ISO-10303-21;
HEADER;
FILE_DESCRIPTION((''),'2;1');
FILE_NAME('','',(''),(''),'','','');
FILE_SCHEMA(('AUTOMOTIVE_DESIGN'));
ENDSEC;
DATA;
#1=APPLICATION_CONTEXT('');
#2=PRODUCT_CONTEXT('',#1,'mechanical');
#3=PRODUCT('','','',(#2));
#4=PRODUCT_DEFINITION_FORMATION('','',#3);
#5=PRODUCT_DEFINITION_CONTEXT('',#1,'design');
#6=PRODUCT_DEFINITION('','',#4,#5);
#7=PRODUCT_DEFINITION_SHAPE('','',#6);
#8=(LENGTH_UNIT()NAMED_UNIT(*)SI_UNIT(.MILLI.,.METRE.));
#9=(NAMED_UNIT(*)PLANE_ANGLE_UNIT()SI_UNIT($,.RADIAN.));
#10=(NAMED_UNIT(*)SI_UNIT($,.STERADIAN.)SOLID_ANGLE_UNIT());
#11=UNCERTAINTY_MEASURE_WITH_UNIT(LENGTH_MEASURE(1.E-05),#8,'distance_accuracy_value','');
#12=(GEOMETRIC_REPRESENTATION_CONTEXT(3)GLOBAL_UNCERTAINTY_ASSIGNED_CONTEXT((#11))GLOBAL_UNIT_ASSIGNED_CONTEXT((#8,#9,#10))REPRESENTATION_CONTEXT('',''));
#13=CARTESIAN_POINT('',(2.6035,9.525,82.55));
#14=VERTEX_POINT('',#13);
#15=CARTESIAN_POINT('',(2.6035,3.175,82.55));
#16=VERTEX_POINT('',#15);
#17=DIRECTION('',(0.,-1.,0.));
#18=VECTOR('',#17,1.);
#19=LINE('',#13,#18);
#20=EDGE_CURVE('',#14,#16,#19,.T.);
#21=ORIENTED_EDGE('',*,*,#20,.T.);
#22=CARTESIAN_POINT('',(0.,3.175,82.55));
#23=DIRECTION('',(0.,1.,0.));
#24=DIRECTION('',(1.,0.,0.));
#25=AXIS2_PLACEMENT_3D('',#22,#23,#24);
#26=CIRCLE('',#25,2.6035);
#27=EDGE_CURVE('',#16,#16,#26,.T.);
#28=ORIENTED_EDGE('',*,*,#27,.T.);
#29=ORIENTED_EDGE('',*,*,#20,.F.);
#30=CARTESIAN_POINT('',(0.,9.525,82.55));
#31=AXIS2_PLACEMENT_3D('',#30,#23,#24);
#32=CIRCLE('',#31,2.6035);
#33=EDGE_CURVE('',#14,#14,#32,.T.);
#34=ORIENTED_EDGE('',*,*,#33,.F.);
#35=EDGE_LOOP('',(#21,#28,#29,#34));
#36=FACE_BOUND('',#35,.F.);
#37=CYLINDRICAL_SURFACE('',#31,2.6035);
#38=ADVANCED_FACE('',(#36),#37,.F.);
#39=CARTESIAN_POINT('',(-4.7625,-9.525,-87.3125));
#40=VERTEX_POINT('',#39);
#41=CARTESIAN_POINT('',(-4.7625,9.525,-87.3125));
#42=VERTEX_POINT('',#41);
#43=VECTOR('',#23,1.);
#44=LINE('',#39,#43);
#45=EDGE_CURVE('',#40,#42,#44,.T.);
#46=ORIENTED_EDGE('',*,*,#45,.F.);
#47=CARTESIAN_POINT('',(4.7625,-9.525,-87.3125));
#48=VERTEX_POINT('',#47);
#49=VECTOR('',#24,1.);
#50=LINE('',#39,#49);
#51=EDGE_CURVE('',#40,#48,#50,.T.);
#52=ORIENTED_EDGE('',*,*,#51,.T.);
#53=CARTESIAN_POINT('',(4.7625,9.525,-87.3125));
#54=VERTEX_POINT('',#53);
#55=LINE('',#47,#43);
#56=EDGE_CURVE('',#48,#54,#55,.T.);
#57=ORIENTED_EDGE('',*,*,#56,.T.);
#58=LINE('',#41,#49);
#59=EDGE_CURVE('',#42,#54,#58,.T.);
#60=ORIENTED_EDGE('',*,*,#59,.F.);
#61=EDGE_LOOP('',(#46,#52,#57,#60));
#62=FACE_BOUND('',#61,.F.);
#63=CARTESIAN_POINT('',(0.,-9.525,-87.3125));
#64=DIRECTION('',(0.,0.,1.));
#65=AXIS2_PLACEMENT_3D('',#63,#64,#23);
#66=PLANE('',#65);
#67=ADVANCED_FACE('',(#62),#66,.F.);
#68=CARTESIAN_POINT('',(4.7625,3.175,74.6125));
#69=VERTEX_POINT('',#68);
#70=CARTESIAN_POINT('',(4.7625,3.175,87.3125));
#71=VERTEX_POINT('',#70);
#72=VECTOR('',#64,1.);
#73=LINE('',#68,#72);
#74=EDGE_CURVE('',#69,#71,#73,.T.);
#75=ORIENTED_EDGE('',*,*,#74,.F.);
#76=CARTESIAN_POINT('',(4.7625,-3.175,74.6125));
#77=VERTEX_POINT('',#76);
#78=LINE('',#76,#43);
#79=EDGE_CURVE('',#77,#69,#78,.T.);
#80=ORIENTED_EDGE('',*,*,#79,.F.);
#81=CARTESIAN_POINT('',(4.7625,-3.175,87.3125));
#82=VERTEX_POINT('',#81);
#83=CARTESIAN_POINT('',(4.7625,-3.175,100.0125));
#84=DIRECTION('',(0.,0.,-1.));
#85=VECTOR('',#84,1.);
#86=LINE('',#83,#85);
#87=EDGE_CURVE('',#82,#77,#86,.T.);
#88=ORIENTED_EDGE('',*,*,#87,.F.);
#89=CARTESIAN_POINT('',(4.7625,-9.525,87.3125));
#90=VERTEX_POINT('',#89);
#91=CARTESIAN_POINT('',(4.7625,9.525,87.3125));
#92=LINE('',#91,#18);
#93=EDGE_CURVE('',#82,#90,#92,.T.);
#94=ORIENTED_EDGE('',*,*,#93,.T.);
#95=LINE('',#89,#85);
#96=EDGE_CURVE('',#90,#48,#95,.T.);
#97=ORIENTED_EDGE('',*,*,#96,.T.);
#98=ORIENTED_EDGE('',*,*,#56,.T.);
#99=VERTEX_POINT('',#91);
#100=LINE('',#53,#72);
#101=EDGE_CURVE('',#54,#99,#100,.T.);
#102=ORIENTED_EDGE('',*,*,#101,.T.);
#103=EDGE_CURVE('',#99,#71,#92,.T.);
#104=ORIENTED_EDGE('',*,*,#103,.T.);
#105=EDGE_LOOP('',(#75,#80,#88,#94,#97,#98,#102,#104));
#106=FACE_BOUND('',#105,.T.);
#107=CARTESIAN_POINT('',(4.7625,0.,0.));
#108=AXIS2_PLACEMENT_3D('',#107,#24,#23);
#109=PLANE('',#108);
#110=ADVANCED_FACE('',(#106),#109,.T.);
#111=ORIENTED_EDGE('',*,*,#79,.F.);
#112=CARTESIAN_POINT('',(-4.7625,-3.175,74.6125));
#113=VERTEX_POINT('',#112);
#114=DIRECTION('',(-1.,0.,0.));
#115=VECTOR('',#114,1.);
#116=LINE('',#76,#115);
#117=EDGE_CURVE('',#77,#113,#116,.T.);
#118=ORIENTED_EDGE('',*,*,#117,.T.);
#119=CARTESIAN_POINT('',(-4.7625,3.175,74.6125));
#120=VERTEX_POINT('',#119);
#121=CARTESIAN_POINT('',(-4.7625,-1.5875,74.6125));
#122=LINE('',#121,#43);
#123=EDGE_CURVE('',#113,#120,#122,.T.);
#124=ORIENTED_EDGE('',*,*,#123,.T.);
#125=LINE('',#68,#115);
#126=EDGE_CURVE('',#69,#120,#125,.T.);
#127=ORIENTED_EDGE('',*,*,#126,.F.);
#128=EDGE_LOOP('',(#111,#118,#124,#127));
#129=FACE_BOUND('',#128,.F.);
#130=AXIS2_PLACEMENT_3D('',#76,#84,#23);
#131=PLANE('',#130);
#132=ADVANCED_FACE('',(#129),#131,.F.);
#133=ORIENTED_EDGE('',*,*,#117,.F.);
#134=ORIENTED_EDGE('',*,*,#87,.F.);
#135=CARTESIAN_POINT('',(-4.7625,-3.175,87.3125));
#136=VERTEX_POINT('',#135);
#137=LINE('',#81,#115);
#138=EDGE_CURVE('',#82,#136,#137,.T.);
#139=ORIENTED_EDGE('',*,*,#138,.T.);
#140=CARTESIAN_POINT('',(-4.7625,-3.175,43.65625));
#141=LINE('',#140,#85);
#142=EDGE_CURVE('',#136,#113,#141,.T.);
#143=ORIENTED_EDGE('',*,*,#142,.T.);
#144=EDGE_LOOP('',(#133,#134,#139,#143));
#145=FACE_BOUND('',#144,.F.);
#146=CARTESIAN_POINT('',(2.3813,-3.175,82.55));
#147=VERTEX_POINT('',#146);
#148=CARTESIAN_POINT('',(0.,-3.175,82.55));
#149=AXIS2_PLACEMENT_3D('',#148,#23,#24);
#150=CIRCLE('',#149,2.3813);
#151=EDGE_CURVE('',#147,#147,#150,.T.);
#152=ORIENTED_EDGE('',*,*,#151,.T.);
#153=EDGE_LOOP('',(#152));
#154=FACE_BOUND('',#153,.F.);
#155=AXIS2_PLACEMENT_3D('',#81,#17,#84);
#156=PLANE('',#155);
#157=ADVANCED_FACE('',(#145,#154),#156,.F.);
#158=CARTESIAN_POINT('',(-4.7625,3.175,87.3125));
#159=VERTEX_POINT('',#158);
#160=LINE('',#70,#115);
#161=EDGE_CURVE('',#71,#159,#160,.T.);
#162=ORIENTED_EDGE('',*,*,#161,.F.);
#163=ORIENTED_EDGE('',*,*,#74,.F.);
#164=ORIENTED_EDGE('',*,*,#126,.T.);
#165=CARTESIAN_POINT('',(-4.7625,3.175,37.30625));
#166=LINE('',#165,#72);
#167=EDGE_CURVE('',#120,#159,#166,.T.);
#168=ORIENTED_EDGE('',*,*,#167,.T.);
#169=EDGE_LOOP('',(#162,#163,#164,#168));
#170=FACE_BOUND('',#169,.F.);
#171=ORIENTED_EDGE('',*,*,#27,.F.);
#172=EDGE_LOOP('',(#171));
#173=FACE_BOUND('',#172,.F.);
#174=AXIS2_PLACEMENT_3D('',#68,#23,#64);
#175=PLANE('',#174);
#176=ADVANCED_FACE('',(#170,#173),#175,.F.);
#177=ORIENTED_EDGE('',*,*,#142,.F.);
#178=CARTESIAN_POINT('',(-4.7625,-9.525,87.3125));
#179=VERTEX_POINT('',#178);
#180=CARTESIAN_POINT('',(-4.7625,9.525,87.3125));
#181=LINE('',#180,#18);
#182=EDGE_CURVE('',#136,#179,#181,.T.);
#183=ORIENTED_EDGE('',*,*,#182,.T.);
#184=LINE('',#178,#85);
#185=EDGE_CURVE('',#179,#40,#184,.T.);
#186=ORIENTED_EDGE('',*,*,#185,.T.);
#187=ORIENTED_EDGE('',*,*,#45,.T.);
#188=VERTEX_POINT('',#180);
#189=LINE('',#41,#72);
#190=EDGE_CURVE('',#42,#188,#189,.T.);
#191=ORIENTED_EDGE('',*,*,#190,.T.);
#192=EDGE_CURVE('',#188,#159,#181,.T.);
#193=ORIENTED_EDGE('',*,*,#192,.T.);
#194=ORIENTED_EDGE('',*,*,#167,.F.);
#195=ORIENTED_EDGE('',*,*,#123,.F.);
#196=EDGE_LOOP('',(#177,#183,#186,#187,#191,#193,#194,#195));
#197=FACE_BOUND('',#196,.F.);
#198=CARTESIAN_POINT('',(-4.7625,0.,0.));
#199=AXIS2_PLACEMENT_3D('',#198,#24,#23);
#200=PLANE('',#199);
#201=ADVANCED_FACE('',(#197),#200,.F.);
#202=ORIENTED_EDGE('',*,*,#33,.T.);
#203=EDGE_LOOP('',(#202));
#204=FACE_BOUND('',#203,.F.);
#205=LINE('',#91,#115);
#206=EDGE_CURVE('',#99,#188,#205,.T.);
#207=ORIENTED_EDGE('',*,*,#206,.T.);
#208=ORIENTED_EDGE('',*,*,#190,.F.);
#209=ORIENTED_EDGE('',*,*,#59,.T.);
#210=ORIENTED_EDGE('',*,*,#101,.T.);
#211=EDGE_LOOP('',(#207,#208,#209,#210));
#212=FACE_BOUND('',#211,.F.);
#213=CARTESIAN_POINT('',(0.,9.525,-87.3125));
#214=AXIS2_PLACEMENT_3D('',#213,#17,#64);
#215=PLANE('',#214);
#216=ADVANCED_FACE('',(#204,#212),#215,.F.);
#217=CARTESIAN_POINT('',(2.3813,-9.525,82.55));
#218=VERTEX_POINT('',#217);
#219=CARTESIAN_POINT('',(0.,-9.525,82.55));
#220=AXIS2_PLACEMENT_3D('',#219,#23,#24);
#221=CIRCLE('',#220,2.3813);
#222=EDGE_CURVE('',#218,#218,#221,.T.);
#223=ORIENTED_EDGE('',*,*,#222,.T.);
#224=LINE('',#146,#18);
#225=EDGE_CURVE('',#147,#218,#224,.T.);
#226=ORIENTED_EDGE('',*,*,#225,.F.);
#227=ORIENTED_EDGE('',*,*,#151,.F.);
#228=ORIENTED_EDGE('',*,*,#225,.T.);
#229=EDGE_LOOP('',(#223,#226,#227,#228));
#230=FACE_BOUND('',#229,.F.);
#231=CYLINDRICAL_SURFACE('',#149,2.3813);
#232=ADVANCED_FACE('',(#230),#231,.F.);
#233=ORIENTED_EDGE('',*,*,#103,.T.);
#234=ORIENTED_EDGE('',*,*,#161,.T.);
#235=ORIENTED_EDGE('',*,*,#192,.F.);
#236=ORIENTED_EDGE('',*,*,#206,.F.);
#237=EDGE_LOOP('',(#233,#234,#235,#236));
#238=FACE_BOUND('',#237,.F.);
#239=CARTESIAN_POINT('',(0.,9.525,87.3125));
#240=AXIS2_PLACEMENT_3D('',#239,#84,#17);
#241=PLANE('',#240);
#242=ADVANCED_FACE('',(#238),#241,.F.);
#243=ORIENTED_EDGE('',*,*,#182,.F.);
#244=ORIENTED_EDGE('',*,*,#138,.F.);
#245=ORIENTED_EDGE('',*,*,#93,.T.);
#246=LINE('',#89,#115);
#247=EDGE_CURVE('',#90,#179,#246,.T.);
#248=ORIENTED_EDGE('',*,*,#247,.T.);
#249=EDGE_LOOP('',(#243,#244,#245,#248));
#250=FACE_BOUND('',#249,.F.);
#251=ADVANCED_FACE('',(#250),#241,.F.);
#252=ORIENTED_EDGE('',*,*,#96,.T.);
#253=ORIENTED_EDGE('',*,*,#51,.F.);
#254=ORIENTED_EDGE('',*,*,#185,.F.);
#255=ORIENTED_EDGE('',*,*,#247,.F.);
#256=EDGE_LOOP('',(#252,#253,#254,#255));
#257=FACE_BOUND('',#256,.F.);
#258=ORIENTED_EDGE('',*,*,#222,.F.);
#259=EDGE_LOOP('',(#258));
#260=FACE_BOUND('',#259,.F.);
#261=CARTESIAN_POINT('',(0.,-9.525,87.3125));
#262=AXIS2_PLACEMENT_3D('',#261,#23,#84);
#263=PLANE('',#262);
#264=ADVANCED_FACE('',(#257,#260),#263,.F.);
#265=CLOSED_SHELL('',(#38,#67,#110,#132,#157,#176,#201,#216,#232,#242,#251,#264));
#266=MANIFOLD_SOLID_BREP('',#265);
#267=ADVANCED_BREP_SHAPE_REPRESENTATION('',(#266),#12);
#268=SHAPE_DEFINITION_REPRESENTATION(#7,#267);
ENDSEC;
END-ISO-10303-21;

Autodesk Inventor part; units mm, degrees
ref_plane "YZ Plane" through (0, 0, 0) normal (1, 0, 0) x (0, 1, 0)
ref_plane "XZ Plane" through (0, 0, 0) normal (0, 1, 0) x (-1, 0, 0)
ref_plane "XY Plane" through (0, 0, 0) normal (0, 0, 1) x (1, 0, 0)
sketch "Sketch1" plane through (0, 0, 0) normal (1, 0, 0) x (0, 1, 0)
  line L0 (-9.525, -87.3125) -> (9.525, -87.3125)
  line L1 (9.525, -87.3125) -> (9.525, 87.3125)
  line L2 (9.525, 87.3125) -> (-9.525, 87.3125)
  line L3 (-9.525, 87.3125) -> (-9.525, -87.3125)
  line L4 (-9.525, -87.3125) -> (9.525, 87.3125) construction
  line L5 (9.525, -87.3125) -> (-9.525, 87.3125) construction
  point P0 (0, 0)
  dimension "d0" = 19.05
  dimension "d1" = 174.625
extrude "Extrusion1" add sketch "Sketch1" along normal mid plane 9.525
sketch "Sketch2" plane through (4.7625, 0, 0) normal (1, 0, 0) x (0, 0, -1)
  line L0 (-100.0125, -3.175) -> (-74.6125, -3.175)
  line L1 (-74.6125, -3.175) -> (-74.6125, 3.175)
  line L2 (-74.6125, 3.175) -> (-100.0125, 3.175)
  line L3 (-100.0125, 3.175) -> (-100.0125, -3.175)
  line L4 (-87.3125, 9.525) -> (-87.3125, -9.525) projected
  line L5 (-100.0125, -3.175) -> (-74.6125, 3.175) construction
  line L6 (-74.6125, -3.175) -> (-100.0125, 3.175) construction
  point P0 (0, 0)
  point P1 (-87.3125, 0)
  point P2 (-87.3125, 3.175)
  point P3 (-87.3125, -3.175)
  dimension "d4" = 6.35
  dimension "d5" = 12.7
extrude "Extrusion2" cut sketch "Sketch2" against normal blind 25.4 contours L4 L2 L1 L0
sketch "Sketch3" plane through (-4.7625, 9.525, 87.3125) normal (0, 1, 0) x (1, 0, 0)
  line L0 (0, 0) -> (9.525, 0) projected
  circle A0 centre (4.7625, 4.7625) radius 2.6035
  point P0 (4.7625, 87.3125)
  point P1 (4.7625, 0)
  dimension "d8" = 5.207
  dimension "d9" = 4.7625
extrude "Extrusion3" cut sketch "Sketch3" against normal blind 6.35
sketch "Sketch4" plane through (4.7625, -3.175, 87.3125) normal (0, 1, 0) x (1, 0, 0)
  line L0 (-9.525, 0) -> (-9.525, 12.7) projected
  line L1 (0, 0) -> (-9.525, 0) projected
  line L2 (0, 12.7) -> (0, 0) projected
  line L3 (0, 12.7) -> (-9.525, 12.7) projected
  circle A0 centre (-4.7625, 4.7625) radius 2.6035 projected
  circle A1 centre (-4.7625, 4.7625) radius 2.3813
  point P0 (-4.7625, 87.3125)
  dimension "d12" = 4.7625
extrude "Extrusion4" cut sketch "Sketch4" against normal blind 25.4 contours A1
properties part number "LongBraillePlunger"
